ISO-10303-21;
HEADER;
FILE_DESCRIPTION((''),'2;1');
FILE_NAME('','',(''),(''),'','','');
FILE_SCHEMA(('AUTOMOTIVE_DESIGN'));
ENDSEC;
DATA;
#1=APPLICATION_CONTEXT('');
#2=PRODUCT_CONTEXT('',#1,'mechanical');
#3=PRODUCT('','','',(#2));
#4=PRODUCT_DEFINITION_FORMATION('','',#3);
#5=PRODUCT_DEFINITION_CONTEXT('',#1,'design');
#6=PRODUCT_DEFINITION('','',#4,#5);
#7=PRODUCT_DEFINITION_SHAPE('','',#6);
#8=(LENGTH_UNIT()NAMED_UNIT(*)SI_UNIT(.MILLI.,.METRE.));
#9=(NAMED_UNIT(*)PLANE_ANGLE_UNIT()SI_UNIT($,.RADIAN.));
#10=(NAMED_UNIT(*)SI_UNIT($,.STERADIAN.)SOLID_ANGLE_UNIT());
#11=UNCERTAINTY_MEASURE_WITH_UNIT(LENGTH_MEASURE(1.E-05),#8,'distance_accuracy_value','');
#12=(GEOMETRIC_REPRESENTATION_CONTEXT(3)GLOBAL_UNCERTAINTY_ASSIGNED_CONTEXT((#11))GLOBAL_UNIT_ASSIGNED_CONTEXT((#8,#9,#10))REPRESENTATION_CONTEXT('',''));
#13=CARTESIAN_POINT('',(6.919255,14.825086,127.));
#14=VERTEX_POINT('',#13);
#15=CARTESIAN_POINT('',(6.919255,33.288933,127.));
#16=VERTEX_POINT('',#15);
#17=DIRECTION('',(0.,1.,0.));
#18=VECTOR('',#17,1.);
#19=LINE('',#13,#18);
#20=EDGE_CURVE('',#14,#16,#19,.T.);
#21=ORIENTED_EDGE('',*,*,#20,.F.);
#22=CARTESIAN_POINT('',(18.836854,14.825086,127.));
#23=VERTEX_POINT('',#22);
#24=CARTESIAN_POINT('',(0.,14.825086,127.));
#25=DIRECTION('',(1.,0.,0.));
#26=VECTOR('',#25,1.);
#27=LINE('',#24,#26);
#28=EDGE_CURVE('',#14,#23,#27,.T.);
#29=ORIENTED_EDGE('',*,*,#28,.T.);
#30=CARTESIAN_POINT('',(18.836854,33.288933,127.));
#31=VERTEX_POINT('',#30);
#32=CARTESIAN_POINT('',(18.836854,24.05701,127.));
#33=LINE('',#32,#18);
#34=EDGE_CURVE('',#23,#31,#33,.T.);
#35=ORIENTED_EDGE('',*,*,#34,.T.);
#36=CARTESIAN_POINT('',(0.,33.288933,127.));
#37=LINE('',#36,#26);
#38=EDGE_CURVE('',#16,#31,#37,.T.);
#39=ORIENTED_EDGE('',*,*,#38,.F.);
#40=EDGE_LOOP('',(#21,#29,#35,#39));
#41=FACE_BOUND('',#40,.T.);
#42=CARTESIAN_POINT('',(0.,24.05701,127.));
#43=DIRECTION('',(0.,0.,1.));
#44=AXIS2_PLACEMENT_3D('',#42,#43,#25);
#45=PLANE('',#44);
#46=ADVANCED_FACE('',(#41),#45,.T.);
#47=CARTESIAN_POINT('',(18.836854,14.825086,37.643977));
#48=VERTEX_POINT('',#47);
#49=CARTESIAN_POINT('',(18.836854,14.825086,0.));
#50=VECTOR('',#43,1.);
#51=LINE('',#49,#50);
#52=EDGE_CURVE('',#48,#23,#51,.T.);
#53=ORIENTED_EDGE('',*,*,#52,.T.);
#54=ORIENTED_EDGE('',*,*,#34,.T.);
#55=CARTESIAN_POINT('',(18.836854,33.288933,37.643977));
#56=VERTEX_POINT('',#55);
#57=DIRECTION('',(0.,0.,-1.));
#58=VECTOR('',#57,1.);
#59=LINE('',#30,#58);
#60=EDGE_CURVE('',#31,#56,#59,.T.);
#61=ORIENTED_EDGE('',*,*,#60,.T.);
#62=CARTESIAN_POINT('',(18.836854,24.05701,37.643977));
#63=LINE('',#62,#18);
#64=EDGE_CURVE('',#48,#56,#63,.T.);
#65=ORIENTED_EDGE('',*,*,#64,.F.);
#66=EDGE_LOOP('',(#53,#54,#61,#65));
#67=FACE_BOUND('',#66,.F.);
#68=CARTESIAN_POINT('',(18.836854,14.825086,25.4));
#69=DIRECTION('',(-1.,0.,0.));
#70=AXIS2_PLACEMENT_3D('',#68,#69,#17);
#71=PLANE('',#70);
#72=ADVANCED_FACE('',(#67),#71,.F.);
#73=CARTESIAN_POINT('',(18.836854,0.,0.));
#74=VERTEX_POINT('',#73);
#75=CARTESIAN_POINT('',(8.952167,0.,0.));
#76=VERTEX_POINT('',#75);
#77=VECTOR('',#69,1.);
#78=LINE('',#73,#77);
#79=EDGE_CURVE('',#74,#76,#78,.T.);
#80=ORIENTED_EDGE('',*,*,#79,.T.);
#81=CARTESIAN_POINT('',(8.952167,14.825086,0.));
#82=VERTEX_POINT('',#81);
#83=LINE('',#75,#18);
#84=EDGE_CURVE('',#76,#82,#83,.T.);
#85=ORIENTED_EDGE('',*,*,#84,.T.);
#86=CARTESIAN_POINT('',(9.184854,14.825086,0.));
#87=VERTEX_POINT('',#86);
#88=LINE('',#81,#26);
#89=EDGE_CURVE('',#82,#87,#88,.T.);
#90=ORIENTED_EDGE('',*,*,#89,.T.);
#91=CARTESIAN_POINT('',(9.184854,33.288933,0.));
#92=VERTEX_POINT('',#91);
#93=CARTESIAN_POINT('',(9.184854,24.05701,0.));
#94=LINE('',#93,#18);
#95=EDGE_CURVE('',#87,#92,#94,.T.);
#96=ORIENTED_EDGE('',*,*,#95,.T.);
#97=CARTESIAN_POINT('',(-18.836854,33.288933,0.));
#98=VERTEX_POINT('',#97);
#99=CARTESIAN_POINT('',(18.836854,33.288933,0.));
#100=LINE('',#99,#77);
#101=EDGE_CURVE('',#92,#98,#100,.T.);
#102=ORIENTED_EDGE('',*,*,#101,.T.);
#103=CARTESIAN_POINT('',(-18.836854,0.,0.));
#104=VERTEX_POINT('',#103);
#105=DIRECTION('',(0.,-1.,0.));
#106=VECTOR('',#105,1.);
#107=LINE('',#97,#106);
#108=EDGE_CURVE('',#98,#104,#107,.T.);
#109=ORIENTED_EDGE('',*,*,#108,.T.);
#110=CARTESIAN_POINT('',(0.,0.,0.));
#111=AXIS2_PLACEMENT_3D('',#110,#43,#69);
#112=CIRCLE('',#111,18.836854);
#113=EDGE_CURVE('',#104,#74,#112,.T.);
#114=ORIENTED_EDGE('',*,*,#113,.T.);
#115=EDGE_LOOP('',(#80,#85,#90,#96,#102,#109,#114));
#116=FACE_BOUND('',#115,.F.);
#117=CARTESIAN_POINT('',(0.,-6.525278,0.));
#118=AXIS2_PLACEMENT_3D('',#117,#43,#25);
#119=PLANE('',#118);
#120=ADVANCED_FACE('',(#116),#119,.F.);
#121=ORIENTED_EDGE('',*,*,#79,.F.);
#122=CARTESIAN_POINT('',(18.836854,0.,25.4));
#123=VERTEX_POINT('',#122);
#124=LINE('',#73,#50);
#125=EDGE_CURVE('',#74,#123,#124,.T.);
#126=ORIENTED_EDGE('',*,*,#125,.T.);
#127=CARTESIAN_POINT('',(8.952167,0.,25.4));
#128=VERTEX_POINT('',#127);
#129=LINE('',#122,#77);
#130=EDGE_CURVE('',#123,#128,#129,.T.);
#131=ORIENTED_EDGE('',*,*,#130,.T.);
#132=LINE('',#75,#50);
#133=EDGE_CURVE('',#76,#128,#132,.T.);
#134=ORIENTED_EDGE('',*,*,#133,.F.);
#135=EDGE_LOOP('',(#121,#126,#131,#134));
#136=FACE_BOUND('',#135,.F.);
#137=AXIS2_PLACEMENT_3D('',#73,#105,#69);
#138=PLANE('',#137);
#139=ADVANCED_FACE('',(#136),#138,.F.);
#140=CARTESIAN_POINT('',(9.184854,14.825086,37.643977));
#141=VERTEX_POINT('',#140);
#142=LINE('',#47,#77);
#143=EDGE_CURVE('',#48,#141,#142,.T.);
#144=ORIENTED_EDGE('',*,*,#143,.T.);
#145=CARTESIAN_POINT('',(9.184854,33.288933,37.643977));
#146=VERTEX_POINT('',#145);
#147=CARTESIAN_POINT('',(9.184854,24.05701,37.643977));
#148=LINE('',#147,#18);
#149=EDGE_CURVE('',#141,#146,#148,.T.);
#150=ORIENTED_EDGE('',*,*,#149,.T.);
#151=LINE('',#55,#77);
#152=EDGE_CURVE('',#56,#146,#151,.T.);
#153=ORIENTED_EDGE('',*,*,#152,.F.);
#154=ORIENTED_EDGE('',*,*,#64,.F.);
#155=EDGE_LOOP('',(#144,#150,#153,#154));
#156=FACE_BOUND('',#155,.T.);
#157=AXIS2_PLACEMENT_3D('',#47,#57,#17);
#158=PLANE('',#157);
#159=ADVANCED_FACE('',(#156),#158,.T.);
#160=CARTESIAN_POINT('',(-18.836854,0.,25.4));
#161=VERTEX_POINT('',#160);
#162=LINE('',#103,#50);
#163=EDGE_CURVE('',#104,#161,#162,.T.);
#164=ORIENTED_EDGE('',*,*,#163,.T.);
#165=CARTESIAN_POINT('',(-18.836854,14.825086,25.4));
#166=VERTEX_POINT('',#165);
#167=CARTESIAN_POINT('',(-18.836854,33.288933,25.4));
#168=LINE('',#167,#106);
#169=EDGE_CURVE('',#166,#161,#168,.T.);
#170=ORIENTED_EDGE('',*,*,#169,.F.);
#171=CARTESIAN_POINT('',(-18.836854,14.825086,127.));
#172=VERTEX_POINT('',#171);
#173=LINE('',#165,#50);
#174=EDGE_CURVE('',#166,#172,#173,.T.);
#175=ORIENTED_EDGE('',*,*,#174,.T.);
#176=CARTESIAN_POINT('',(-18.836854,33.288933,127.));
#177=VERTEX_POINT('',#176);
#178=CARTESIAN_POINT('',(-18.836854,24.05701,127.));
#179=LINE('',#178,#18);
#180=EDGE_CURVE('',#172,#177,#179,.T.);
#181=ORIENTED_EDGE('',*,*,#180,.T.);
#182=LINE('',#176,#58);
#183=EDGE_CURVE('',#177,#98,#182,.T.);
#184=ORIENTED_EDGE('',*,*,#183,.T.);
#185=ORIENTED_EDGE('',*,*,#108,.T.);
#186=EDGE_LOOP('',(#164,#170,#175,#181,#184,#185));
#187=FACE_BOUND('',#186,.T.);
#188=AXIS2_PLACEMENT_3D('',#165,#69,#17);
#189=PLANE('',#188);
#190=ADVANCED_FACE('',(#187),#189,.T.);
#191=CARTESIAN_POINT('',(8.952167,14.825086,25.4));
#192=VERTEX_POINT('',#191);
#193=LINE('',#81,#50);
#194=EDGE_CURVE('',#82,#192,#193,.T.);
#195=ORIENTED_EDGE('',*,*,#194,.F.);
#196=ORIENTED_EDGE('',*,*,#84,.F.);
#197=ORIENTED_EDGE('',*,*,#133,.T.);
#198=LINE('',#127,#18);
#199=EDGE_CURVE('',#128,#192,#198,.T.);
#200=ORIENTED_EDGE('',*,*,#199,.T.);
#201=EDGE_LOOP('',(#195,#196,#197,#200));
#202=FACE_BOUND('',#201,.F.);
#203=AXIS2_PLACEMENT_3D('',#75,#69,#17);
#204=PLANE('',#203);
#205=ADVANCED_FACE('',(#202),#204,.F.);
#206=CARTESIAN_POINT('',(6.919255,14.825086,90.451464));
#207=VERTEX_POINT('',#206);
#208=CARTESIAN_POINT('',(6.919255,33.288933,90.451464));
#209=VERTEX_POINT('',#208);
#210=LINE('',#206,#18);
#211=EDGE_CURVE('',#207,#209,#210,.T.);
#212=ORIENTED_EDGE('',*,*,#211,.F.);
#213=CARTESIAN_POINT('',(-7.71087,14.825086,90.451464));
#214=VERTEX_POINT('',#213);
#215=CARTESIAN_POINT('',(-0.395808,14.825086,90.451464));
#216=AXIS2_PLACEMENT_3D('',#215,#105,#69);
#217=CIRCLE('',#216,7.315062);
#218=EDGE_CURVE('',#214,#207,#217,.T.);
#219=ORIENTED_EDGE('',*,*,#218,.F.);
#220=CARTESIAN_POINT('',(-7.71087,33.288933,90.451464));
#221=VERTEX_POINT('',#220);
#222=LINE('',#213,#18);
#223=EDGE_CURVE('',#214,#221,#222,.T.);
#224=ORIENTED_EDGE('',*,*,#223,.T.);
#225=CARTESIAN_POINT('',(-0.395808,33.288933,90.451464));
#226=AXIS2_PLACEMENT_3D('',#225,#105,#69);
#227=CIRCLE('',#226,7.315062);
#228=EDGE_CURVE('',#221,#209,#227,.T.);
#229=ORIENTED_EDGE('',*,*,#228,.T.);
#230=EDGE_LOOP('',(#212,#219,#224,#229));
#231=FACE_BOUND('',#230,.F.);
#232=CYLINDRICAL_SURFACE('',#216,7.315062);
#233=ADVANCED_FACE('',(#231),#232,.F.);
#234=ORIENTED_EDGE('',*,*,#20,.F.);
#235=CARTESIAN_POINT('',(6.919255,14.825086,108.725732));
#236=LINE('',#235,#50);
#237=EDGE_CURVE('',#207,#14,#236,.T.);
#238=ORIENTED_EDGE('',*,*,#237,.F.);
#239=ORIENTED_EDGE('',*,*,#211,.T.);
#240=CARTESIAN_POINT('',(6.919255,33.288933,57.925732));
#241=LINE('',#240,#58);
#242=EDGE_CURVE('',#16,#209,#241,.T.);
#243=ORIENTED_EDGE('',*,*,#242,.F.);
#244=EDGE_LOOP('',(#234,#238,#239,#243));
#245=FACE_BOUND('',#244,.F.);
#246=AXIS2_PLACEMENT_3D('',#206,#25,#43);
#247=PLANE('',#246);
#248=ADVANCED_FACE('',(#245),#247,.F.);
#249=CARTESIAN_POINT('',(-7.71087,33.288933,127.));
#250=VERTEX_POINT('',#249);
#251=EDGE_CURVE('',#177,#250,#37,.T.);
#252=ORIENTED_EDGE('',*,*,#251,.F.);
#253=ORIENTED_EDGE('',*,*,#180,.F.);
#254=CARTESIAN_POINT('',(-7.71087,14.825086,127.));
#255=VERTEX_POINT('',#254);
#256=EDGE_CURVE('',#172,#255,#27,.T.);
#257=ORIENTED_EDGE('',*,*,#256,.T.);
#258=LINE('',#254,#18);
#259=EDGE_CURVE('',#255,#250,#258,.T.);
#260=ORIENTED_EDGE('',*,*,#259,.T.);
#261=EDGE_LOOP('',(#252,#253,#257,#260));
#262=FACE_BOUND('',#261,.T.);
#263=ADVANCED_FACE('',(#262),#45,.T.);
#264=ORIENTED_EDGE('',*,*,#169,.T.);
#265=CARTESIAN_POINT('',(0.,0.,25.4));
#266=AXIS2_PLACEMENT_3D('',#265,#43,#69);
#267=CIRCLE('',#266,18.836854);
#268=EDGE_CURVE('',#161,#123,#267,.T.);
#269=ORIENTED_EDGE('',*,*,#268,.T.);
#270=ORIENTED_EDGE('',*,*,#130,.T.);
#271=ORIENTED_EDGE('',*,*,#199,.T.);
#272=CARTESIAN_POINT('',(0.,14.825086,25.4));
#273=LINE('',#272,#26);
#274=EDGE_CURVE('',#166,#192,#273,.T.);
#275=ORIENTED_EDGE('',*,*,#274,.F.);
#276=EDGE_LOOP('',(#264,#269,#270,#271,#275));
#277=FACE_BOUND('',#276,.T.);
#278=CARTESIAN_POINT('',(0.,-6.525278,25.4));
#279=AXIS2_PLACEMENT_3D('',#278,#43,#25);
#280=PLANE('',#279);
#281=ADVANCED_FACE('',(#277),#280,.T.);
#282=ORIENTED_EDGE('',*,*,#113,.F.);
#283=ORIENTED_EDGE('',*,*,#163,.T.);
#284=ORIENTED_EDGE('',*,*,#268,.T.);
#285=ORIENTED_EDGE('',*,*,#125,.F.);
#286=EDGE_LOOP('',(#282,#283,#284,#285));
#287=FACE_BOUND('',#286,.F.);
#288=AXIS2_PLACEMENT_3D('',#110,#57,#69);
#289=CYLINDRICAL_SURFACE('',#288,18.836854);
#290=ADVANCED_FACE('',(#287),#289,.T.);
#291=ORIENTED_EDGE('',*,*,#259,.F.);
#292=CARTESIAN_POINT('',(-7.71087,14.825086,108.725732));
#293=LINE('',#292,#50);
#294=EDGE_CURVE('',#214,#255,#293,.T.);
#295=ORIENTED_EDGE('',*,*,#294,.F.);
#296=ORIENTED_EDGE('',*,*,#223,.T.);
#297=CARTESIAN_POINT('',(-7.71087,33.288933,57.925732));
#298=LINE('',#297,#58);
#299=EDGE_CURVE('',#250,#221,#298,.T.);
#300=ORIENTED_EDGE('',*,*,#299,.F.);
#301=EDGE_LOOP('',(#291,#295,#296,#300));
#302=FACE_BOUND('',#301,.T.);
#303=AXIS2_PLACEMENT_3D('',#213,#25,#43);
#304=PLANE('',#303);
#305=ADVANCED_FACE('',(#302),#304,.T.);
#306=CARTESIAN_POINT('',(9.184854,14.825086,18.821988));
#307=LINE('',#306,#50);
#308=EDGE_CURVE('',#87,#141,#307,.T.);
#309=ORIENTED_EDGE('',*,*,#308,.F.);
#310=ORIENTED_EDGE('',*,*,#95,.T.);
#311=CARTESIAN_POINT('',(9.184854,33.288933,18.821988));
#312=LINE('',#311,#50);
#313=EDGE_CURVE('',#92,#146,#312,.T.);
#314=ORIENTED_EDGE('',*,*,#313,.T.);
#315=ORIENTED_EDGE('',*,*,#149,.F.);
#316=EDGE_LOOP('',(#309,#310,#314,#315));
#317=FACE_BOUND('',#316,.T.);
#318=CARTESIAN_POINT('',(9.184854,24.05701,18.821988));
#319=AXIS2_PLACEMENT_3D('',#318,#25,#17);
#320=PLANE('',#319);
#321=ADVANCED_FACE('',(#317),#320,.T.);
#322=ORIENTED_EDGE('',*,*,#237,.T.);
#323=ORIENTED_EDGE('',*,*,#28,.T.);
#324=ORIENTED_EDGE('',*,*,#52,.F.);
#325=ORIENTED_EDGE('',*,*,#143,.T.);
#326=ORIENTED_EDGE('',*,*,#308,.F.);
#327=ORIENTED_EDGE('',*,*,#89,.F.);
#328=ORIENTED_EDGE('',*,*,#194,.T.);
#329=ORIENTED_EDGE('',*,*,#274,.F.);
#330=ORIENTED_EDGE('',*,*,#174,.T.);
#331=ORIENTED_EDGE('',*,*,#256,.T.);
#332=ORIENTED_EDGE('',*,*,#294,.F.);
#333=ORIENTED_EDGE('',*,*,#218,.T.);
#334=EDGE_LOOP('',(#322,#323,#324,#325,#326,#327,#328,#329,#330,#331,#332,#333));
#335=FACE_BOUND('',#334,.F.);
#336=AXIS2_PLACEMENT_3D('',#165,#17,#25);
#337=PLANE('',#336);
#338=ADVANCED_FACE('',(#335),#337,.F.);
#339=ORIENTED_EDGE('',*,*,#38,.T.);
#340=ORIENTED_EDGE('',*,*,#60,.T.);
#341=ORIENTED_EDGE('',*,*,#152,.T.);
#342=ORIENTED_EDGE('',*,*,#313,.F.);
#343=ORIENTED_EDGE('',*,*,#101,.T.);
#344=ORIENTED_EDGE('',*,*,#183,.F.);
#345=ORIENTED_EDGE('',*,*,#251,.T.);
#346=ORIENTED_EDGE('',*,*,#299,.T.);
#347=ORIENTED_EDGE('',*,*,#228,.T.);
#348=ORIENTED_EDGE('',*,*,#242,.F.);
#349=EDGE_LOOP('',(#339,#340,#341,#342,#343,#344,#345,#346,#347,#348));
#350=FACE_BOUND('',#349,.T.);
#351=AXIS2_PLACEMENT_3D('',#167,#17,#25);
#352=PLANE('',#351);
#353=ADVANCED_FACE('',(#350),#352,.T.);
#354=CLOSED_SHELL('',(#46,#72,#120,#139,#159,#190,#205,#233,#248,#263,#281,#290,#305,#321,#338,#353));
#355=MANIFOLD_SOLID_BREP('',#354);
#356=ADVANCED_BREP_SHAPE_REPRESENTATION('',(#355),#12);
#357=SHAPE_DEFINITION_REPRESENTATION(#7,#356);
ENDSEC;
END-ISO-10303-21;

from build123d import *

# Parameters (mm, degrees)
F1_DEPTH = 25.4
F2_W     = 37.6737080514
F2_H     = 18.4638472274
F3_DEPTH = 101.6
F4_W     = 14.6301244386
F4_H     = 36.548535943
F5_DEPTH = 25.4
F6_DEPTH = 25.4
F7_W     = 18.4638472274
F7_H     = 37.6439765096
F8_DEPTH = 9.652


with BuildPart() as f1:
    # F0 (on Top) → F1 (new body)
    with BuildSketch(Plane.XY):
        with BuildLine():
            ThreePointArc((-18.8368540257, 0), (0, -18.8368540257), (18.8368540257, 0))
            Line((18.8368540257, 0), (8.9521668851, 0))
            Line((8.9521668851, 0), (-18.8368540257, 0))
        make_face()
        Polygon((-18.8368540257, 33.2889333367), (-18.8368540257, 0), (8.9521668851, 0), (8.9521668851, 14.8250861093), (18.8368540257, 14.8250861093), (18.8368540257, 33.2889333367), align=None)
    extrude(amount=F1_DEPTH)

    # F2 (on face) → F3 (join)
    with BuildSketch(Plane.XY.offset(25.4)):
        with Locations((0, 24.057009723)):
            Rectangle(F2_W, F2_H)
    extrude(amount=F3_DEPTH)

    # F4 (on face) → F5 (cut)
    with BuildSketch(Plane.XZ.offset(-14.8250861093)):
        with Locations((-0.3958076704, 108.7257320285)):
            Rectangle(F4_W, F4_H)
        with BuildLine():
            Line((6.9192545488, 90.451464057), (-7.7108698897, 90.451464057))
            ThreePointArc((-7.7108698897, 90.451464057), (-0.3958076704, 83.1364018377), (6.9192545488, 90.451464057))
        make_face()
    extrude(amount=-F5_DEPTH, mode=Mode.SUBTRACT)

    # F4 (on face) → F6 (cut)
    with BuildSketch(Plane.XZ.offset(-14.8250861093)):
        with Locations((-0.3958076704, 108.7257320285)):
            Rectangle(F4_W, F4_H)
        with BuildLine():
            Line((6.9192545488, 90.451464057), (-7.7108698897, 90.451464057))
            ThreePointArc((-7.7108698897, 90.451464057), (-0.3958076704, 83.1364018377), (6.9192545488, 90.451464057))
        make_face()
    extrude(amount=-F6_DEPTH, mode=Mode.SUBTRACT)

    # F7 (on face) → F8 (cut)
    with BuildSketch(Plane.YZ.offset(18.8368540257)):
        with Locations((24.057009723, 18.8219882548)):
            Rectangle(F7_W, F7_H)
    extrude(amount=-F8_DEPTH, mode=Mode.SUBTRACT)


solid = f1.part
